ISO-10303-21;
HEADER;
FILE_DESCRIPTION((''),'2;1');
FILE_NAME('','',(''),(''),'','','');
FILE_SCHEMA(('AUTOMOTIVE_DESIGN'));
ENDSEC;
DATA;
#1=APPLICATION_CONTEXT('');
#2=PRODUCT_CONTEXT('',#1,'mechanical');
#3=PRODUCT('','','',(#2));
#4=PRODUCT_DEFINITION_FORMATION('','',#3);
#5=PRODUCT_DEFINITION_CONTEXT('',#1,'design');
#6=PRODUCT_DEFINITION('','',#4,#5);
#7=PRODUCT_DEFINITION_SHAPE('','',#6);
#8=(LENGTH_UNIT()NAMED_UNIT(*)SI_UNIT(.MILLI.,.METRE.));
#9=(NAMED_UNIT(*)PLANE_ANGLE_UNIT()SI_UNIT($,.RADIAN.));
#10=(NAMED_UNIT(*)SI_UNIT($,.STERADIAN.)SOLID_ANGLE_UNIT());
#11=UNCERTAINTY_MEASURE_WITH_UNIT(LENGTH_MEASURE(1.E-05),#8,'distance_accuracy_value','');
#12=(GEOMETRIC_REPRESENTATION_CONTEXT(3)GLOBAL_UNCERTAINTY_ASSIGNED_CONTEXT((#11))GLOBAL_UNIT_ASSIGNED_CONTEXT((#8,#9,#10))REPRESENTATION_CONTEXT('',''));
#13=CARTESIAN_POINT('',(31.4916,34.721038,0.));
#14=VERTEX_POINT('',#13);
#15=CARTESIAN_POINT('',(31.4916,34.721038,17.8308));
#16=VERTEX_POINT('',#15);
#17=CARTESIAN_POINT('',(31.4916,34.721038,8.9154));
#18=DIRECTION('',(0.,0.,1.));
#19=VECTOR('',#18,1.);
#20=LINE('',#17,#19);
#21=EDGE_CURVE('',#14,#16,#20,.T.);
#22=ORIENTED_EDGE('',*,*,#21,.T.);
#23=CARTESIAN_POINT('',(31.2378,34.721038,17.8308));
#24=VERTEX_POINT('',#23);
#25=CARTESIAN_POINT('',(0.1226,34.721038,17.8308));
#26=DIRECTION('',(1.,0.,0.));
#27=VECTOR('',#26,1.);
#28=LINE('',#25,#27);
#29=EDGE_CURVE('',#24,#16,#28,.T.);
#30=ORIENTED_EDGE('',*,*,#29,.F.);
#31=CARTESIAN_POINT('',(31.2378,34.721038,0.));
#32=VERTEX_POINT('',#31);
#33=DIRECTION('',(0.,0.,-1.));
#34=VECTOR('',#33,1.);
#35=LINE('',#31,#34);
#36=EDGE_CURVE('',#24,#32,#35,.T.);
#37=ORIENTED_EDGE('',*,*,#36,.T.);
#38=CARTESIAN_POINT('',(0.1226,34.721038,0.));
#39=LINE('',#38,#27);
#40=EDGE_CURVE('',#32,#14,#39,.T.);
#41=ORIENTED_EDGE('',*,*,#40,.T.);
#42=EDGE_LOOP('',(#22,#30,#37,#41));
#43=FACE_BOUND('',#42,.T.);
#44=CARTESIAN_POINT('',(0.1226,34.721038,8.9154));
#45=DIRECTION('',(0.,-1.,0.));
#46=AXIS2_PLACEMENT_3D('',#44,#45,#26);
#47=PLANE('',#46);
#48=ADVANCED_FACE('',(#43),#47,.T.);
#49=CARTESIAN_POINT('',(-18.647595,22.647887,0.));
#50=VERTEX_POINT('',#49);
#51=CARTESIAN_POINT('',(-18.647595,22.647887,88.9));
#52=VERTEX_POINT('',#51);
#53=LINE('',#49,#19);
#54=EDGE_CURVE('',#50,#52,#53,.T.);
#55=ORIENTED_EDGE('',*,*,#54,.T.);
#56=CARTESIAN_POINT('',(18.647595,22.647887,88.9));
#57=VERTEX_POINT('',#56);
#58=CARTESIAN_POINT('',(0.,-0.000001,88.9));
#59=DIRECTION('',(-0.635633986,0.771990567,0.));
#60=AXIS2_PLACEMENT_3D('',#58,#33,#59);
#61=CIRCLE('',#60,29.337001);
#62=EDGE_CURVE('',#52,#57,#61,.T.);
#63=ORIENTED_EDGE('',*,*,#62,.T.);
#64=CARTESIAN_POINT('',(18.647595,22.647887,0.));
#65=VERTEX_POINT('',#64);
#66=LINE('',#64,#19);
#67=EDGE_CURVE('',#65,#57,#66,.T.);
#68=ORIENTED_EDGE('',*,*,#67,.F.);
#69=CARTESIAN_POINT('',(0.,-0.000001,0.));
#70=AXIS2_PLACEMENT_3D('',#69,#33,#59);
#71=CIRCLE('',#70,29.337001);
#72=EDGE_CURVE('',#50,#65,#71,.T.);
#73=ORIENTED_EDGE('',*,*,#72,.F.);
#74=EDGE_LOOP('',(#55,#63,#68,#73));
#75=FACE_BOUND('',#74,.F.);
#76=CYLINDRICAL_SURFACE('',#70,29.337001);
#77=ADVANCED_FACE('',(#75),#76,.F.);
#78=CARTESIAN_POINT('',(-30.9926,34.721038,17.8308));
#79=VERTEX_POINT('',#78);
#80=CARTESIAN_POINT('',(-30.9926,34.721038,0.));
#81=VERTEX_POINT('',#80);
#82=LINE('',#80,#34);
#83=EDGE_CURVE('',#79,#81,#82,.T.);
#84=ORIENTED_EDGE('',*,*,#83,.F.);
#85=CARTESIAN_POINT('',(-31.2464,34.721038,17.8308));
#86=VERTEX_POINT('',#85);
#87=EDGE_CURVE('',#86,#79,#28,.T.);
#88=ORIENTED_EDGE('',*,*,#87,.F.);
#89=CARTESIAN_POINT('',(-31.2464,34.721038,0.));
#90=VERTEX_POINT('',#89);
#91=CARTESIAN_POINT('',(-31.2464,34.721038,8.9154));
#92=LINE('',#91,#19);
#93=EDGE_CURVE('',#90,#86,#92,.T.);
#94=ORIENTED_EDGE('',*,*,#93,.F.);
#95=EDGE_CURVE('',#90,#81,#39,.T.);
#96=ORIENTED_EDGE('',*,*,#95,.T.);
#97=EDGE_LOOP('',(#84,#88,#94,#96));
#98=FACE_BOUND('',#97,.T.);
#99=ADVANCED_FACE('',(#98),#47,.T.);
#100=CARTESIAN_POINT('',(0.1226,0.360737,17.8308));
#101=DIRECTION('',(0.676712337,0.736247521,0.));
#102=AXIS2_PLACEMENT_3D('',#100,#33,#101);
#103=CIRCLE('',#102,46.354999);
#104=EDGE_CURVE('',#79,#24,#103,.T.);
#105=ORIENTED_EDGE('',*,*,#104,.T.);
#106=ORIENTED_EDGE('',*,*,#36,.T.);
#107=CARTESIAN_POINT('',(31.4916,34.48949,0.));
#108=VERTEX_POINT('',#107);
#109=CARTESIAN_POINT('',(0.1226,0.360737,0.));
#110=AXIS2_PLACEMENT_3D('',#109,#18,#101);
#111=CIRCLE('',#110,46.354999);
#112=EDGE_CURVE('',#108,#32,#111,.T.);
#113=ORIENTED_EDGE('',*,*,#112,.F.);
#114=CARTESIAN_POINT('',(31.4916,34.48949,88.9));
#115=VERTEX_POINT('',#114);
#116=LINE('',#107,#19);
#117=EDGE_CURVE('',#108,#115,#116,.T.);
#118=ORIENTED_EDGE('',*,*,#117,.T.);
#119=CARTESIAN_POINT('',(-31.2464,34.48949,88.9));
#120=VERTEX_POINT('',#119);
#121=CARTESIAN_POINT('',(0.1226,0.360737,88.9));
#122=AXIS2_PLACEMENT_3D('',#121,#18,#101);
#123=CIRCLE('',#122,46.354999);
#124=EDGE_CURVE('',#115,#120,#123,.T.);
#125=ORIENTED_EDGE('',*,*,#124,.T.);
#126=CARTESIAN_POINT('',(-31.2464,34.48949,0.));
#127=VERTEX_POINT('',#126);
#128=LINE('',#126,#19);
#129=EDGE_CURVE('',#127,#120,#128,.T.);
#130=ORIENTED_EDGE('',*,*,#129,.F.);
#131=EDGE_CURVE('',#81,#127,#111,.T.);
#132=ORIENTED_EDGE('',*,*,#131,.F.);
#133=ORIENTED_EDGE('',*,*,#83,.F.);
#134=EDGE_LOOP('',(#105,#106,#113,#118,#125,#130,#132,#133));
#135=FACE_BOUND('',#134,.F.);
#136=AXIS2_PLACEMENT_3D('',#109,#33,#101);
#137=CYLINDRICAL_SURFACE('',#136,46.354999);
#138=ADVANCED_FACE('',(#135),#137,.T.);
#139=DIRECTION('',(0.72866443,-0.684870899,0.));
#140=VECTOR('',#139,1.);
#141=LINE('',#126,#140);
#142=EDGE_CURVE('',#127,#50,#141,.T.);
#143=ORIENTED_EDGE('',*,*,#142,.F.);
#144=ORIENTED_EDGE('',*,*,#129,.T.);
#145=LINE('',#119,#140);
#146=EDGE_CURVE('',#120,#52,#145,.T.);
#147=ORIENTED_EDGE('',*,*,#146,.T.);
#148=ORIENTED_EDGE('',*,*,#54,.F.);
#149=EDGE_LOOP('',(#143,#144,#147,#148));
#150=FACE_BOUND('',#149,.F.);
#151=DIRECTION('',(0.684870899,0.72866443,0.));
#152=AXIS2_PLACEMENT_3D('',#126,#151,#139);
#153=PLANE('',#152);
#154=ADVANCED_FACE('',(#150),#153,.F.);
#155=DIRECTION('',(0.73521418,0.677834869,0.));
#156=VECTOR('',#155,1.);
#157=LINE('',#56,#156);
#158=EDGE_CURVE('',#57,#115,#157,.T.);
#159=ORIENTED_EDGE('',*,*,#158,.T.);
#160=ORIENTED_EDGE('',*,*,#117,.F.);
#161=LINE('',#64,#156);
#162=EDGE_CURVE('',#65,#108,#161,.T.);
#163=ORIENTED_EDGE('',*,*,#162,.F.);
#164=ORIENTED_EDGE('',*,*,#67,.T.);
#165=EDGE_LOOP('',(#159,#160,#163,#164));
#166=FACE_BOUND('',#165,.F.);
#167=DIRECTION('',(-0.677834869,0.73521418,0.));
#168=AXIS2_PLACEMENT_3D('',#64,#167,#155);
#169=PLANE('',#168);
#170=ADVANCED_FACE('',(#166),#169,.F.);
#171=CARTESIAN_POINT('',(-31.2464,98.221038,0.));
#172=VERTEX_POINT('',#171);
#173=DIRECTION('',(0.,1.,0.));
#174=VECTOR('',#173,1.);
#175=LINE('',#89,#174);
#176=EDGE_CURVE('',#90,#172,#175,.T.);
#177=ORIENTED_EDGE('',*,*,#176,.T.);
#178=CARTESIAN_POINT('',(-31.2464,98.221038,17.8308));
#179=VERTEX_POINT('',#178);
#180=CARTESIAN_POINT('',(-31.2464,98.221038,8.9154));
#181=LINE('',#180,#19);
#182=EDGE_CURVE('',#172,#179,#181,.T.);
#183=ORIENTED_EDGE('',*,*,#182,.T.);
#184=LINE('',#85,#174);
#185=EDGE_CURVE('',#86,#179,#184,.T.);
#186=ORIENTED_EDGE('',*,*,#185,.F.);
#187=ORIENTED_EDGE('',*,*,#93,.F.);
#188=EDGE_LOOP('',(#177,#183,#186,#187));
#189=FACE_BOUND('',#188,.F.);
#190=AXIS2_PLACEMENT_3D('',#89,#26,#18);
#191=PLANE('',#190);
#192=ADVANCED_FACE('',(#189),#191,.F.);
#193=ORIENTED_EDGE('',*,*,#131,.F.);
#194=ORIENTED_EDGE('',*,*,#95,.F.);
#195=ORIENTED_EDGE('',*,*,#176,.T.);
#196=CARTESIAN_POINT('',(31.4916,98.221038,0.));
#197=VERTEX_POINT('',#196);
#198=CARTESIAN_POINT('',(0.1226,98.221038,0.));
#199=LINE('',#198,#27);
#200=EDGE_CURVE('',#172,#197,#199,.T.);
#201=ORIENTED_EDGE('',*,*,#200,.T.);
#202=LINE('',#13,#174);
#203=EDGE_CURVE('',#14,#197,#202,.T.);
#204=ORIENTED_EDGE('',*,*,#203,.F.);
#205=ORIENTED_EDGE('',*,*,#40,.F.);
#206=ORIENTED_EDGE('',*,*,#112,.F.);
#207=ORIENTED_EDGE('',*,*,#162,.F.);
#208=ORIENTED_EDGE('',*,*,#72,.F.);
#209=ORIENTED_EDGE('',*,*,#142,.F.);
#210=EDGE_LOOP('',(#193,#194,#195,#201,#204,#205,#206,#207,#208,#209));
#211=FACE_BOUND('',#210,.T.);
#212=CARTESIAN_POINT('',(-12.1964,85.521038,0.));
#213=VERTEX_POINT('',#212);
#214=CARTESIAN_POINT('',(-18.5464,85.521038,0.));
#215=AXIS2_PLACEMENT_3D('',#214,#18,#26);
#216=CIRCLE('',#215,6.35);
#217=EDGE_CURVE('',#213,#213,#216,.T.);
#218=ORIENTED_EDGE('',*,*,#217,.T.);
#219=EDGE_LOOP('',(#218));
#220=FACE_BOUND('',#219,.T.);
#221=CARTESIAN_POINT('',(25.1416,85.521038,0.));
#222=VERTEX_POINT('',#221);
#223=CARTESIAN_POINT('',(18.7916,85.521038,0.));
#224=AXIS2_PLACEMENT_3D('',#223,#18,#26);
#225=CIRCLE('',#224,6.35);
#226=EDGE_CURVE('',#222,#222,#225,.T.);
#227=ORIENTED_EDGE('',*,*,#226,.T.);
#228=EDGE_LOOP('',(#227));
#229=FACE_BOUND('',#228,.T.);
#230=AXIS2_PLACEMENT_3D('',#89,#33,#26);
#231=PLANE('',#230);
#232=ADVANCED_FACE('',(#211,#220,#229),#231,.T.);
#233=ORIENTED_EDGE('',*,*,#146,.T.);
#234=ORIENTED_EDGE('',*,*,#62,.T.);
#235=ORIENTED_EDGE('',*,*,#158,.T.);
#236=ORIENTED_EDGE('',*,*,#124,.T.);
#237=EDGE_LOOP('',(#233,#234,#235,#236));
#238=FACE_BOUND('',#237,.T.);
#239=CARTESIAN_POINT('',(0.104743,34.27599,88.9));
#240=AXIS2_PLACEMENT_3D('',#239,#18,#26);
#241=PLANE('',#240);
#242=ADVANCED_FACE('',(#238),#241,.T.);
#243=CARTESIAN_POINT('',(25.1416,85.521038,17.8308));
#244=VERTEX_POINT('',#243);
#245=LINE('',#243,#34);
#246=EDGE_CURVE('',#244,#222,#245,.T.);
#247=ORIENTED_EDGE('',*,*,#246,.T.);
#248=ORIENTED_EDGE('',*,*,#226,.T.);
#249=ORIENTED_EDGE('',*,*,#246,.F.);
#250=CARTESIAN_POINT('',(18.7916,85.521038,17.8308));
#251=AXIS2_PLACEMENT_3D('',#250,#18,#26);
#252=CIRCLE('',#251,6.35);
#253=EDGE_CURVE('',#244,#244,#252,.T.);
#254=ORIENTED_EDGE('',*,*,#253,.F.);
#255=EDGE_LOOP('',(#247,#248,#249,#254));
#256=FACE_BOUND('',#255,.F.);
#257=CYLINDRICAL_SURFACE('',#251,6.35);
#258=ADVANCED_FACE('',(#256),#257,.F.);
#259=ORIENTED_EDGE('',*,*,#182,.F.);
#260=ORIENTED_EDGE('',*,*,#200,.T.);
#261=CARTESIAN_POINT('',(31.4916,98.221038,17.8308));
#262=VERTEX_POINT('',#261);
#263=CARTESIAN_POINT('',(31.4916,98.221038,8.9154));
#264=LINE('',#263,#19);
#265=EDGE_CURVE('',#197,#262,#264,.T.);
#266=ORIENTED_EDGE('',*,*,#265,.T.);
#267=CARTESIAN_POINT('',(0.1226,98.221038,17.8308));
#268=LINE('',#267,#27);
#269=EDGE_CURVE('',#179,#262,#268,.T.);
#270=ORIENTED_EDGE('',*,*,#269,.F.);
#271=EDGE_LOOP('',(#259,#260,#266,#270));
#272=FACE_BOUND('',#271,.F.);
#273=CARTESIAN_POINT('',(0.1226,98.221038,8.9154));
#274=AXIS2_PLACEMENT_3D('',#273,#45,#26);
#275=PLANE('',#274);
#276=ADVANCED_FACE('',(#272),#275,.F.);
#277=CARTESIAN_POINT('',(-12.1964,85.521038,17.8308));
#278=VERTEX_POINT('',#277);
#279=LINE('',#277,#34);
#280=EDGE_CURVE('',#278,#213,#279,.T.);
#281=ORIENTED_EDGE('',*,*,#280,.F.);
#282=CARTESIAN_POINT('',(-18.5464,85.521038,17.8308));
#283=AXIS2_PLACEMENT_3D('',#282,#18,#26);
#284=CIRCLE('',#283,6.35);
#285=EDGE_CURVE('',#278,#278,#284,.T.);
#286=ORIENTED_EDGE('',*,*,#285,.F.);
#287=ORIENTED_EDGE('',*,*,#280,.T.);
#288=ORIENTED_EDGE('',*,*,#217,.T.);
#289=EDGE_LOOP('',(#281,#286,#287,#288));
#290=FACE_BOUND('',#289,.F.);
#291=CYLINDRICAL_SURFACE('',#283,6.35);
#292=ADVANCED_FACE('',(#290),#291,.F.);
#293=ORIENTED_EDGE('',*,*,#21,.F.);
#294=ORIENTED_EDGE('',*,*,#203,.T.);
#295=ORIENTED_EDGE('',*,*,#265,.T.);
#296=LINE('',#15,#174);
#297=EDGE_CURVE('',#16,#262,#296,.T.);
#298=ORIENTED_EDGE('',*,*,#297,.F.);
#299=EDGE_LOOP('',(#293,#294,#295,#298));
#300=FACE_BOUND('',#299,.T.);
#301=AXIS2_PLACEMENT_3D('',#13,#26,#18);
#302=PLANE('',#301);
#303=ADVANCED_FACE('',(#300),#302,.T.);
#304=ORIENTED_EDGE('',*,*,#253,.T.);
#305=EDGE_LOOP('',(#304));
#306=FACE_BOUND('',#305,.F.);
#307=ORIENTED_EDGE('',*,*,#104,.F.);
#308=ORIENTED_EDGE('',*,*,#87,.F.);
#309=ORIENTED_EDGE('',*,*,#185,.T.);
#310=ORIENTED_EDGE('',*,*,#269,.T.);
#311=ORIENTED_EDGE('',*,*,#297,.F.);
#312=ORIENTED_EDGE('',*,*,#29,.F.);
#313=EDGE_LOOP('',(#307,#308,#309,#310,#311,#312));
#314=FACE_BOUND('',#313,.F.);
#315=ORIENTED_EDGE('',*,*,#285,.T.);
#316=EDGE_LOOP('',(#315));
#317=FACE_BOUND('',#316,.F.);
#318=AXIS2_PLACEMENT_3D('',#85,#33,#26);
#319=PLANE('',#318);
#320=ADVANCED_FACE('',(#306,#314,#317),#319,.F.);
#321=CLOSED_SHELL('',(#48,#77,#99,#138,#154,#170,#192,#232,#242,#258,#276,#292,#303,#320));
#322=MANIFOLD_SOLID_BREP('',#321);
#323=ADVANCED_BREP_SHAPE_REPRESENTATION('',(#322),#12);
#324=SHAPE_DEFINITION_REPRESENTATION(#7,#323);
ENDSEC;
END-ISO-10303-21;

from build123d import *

# Parameters (mm, degrees)
F1_DEPTH = 88.9
F3_W     = 62.738
F3_H     = 17.8308
F4_DEPTH = 63.5
F5_R     = 6.35
F6_DEPTH = 25.4


with BuildPart() as f1:
    # F0 (on Top) → F1 (new body)
    with BuildSketch(Plane.XY):
        with BuildLine():
            ThreePointArc((-18.647595, 22.647887), (0, 29.337), (18.647595, 22.647887))
            Line((18.647595, 22.647887), (31.4916, 34.48949))
            ThreePointArc((31.4916, 34.48949), (0.1226, 46.715736), (-31.2464, 34.48949))
            Line((-31.2464, 34.48949), (-18.647595, 22.647887))
        make_face()
    extrude(amount=F1_DEPTH)

    # F3 (on offset) → F4 (join)
    with BuildSketch(Plane.XZ.offset(-34.721038)):
        with Locations((0.1226, 8.9154)):
            Rectangle(F3_W, F3_H)
    extrude(amount=-F4_DEPTH)

    # F5 (on face) → F6 (cut)
    with BuildSketch(Plane.XY.offset(17.8308)):
        with Locations((18.7916, 85.521038)):
            Circle(F5_R)
        with Locations((-18.5464, 85.521038)):
            Circle(F5_R)
    extrude(amount=-F6_DEPTH, mode=Mode.SUBTRACT)


solid = f1.part
